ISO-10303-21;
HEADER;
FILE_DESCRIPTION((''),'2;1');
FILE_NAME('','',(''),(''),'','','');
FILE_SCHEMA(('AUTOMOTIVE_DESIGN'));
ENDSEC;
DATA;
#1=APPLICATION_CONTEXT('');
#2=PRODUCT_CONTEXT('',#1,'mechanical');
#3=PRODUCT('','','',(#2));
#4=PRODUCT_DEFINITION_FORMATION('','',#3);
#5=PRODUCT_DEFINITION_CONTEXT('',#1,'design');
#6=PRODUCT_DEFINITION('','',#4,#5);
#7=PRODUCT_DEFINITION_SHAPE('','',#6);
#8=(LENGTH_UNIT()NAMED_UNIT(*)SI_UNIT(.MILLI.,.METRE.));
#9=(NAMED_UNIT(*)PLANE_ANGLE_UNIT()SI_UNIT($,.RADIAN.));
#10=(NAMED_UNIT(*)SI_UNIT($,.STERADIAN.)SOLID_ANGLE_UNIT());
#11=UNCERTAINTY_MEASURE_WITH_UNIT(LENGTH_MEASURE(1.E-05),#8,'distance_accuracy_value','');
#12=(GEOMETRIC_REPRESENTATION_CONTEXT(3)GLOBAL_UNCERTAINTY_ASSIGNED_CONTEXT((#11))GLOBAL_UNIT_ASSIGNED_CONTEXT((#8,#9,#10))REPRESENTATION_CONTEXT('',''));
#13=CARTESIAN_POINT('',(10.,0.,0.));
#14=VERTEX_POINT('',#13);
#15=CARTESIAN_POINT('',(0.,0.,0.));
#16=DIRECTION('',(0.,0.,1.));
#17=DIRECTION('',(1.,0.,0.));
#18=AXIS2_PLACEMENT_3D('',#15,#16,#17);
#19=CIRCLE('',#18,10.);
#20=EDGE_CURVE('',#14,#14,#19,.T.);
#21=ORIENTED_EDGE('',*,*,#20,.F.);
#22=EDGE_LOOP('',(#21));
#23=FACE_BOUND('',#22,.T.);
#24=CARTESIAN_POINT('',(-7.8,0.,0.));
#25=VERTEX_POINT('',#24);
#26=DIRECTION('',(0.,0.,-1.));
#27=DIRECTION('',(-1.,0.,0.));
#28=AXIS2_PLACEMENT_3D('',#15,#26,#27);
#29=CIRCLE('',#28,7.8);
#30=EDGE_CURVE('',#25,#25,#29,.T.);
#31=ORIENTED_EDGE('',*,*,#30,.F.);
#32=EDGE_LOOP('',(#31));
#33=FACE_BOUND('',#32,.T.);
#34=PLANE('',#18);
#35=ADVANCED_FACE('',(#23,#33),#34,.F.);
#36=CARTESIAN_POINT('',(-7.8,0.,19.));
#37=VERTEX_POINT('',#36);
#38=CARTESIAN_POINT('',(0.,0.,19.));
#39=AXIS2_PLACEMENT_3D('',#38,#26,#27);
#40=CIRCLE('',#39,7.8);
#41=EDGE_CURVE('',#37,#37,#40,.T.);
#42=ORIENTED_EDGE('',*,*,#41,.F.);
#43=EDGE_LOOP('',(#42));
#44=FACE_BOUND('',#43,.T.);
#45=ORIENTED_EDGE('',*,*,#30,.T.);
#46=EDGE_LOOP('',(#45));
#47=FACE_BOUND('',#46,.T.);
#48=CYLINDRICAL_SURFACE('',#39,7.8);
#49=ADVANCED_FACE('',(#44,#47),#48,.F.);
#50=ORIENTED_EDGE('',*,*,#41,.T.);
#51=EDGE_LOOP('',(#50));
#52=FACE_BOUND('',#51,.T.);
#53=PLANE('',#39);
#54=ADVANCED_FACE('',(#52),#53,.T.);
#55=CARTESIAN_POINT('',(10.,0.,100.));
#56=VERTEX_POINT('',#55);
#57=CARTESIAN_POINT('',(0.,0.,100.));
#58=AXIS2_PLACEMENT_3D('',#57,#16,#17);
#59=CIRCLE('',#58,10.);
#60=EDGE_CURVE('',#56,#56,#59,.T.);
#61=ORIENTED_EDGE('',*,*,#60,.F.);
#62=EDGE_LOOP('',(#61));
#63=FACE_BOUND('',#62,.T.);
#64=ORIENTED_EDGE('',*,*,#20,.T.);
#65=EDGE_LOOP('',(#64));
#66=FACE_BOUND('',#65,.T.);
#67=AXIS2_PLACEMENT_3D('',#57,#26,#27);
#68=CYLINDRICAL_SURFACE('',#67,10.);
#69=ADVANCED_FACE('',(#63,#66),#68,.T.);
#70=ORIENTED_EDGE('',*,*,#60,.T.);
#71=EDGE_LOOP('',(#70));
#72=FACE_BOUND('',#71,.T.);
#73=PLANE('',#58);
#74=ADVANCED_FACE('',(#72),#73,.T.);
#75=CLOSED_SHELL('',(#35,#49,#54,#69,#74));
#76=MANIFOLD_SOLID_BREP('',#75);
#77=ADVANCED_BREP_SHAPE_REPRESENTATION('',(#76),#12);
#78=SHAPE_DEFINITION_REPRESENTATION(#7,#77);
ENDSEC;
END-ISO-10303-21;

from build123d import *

# Parameters (mm, degrees)
SKETCH1_R           = 10
BOSS_EXTRUDE1_DEPTH = 100
SKETCH2_R           = 7.8
CUT_EXTRUDE1_DEPTH  = 19


with BuildPart() as part:
    # Sketch1 → Boss-Extrude1 (new body)
    with BuildSketch(Plane.XY):
        Circle(SKETCH1_R)
    extrude(amount=BOSS_EXTRUDE1_DEPTH)

    # Sketch2 → Cut-Extrude1 (cut)
    with BuildSketch(Plane(origin=(0, 0, 0), x_dir=(-1, 0, 0), z_dir=(0, 0, -1))):
        Circle(SKETCH2_R)
    extrude(amount=-CUT_EXTRUDE1_DEPTH, mode=Mode.SUBTRACT)


solid = part.part
